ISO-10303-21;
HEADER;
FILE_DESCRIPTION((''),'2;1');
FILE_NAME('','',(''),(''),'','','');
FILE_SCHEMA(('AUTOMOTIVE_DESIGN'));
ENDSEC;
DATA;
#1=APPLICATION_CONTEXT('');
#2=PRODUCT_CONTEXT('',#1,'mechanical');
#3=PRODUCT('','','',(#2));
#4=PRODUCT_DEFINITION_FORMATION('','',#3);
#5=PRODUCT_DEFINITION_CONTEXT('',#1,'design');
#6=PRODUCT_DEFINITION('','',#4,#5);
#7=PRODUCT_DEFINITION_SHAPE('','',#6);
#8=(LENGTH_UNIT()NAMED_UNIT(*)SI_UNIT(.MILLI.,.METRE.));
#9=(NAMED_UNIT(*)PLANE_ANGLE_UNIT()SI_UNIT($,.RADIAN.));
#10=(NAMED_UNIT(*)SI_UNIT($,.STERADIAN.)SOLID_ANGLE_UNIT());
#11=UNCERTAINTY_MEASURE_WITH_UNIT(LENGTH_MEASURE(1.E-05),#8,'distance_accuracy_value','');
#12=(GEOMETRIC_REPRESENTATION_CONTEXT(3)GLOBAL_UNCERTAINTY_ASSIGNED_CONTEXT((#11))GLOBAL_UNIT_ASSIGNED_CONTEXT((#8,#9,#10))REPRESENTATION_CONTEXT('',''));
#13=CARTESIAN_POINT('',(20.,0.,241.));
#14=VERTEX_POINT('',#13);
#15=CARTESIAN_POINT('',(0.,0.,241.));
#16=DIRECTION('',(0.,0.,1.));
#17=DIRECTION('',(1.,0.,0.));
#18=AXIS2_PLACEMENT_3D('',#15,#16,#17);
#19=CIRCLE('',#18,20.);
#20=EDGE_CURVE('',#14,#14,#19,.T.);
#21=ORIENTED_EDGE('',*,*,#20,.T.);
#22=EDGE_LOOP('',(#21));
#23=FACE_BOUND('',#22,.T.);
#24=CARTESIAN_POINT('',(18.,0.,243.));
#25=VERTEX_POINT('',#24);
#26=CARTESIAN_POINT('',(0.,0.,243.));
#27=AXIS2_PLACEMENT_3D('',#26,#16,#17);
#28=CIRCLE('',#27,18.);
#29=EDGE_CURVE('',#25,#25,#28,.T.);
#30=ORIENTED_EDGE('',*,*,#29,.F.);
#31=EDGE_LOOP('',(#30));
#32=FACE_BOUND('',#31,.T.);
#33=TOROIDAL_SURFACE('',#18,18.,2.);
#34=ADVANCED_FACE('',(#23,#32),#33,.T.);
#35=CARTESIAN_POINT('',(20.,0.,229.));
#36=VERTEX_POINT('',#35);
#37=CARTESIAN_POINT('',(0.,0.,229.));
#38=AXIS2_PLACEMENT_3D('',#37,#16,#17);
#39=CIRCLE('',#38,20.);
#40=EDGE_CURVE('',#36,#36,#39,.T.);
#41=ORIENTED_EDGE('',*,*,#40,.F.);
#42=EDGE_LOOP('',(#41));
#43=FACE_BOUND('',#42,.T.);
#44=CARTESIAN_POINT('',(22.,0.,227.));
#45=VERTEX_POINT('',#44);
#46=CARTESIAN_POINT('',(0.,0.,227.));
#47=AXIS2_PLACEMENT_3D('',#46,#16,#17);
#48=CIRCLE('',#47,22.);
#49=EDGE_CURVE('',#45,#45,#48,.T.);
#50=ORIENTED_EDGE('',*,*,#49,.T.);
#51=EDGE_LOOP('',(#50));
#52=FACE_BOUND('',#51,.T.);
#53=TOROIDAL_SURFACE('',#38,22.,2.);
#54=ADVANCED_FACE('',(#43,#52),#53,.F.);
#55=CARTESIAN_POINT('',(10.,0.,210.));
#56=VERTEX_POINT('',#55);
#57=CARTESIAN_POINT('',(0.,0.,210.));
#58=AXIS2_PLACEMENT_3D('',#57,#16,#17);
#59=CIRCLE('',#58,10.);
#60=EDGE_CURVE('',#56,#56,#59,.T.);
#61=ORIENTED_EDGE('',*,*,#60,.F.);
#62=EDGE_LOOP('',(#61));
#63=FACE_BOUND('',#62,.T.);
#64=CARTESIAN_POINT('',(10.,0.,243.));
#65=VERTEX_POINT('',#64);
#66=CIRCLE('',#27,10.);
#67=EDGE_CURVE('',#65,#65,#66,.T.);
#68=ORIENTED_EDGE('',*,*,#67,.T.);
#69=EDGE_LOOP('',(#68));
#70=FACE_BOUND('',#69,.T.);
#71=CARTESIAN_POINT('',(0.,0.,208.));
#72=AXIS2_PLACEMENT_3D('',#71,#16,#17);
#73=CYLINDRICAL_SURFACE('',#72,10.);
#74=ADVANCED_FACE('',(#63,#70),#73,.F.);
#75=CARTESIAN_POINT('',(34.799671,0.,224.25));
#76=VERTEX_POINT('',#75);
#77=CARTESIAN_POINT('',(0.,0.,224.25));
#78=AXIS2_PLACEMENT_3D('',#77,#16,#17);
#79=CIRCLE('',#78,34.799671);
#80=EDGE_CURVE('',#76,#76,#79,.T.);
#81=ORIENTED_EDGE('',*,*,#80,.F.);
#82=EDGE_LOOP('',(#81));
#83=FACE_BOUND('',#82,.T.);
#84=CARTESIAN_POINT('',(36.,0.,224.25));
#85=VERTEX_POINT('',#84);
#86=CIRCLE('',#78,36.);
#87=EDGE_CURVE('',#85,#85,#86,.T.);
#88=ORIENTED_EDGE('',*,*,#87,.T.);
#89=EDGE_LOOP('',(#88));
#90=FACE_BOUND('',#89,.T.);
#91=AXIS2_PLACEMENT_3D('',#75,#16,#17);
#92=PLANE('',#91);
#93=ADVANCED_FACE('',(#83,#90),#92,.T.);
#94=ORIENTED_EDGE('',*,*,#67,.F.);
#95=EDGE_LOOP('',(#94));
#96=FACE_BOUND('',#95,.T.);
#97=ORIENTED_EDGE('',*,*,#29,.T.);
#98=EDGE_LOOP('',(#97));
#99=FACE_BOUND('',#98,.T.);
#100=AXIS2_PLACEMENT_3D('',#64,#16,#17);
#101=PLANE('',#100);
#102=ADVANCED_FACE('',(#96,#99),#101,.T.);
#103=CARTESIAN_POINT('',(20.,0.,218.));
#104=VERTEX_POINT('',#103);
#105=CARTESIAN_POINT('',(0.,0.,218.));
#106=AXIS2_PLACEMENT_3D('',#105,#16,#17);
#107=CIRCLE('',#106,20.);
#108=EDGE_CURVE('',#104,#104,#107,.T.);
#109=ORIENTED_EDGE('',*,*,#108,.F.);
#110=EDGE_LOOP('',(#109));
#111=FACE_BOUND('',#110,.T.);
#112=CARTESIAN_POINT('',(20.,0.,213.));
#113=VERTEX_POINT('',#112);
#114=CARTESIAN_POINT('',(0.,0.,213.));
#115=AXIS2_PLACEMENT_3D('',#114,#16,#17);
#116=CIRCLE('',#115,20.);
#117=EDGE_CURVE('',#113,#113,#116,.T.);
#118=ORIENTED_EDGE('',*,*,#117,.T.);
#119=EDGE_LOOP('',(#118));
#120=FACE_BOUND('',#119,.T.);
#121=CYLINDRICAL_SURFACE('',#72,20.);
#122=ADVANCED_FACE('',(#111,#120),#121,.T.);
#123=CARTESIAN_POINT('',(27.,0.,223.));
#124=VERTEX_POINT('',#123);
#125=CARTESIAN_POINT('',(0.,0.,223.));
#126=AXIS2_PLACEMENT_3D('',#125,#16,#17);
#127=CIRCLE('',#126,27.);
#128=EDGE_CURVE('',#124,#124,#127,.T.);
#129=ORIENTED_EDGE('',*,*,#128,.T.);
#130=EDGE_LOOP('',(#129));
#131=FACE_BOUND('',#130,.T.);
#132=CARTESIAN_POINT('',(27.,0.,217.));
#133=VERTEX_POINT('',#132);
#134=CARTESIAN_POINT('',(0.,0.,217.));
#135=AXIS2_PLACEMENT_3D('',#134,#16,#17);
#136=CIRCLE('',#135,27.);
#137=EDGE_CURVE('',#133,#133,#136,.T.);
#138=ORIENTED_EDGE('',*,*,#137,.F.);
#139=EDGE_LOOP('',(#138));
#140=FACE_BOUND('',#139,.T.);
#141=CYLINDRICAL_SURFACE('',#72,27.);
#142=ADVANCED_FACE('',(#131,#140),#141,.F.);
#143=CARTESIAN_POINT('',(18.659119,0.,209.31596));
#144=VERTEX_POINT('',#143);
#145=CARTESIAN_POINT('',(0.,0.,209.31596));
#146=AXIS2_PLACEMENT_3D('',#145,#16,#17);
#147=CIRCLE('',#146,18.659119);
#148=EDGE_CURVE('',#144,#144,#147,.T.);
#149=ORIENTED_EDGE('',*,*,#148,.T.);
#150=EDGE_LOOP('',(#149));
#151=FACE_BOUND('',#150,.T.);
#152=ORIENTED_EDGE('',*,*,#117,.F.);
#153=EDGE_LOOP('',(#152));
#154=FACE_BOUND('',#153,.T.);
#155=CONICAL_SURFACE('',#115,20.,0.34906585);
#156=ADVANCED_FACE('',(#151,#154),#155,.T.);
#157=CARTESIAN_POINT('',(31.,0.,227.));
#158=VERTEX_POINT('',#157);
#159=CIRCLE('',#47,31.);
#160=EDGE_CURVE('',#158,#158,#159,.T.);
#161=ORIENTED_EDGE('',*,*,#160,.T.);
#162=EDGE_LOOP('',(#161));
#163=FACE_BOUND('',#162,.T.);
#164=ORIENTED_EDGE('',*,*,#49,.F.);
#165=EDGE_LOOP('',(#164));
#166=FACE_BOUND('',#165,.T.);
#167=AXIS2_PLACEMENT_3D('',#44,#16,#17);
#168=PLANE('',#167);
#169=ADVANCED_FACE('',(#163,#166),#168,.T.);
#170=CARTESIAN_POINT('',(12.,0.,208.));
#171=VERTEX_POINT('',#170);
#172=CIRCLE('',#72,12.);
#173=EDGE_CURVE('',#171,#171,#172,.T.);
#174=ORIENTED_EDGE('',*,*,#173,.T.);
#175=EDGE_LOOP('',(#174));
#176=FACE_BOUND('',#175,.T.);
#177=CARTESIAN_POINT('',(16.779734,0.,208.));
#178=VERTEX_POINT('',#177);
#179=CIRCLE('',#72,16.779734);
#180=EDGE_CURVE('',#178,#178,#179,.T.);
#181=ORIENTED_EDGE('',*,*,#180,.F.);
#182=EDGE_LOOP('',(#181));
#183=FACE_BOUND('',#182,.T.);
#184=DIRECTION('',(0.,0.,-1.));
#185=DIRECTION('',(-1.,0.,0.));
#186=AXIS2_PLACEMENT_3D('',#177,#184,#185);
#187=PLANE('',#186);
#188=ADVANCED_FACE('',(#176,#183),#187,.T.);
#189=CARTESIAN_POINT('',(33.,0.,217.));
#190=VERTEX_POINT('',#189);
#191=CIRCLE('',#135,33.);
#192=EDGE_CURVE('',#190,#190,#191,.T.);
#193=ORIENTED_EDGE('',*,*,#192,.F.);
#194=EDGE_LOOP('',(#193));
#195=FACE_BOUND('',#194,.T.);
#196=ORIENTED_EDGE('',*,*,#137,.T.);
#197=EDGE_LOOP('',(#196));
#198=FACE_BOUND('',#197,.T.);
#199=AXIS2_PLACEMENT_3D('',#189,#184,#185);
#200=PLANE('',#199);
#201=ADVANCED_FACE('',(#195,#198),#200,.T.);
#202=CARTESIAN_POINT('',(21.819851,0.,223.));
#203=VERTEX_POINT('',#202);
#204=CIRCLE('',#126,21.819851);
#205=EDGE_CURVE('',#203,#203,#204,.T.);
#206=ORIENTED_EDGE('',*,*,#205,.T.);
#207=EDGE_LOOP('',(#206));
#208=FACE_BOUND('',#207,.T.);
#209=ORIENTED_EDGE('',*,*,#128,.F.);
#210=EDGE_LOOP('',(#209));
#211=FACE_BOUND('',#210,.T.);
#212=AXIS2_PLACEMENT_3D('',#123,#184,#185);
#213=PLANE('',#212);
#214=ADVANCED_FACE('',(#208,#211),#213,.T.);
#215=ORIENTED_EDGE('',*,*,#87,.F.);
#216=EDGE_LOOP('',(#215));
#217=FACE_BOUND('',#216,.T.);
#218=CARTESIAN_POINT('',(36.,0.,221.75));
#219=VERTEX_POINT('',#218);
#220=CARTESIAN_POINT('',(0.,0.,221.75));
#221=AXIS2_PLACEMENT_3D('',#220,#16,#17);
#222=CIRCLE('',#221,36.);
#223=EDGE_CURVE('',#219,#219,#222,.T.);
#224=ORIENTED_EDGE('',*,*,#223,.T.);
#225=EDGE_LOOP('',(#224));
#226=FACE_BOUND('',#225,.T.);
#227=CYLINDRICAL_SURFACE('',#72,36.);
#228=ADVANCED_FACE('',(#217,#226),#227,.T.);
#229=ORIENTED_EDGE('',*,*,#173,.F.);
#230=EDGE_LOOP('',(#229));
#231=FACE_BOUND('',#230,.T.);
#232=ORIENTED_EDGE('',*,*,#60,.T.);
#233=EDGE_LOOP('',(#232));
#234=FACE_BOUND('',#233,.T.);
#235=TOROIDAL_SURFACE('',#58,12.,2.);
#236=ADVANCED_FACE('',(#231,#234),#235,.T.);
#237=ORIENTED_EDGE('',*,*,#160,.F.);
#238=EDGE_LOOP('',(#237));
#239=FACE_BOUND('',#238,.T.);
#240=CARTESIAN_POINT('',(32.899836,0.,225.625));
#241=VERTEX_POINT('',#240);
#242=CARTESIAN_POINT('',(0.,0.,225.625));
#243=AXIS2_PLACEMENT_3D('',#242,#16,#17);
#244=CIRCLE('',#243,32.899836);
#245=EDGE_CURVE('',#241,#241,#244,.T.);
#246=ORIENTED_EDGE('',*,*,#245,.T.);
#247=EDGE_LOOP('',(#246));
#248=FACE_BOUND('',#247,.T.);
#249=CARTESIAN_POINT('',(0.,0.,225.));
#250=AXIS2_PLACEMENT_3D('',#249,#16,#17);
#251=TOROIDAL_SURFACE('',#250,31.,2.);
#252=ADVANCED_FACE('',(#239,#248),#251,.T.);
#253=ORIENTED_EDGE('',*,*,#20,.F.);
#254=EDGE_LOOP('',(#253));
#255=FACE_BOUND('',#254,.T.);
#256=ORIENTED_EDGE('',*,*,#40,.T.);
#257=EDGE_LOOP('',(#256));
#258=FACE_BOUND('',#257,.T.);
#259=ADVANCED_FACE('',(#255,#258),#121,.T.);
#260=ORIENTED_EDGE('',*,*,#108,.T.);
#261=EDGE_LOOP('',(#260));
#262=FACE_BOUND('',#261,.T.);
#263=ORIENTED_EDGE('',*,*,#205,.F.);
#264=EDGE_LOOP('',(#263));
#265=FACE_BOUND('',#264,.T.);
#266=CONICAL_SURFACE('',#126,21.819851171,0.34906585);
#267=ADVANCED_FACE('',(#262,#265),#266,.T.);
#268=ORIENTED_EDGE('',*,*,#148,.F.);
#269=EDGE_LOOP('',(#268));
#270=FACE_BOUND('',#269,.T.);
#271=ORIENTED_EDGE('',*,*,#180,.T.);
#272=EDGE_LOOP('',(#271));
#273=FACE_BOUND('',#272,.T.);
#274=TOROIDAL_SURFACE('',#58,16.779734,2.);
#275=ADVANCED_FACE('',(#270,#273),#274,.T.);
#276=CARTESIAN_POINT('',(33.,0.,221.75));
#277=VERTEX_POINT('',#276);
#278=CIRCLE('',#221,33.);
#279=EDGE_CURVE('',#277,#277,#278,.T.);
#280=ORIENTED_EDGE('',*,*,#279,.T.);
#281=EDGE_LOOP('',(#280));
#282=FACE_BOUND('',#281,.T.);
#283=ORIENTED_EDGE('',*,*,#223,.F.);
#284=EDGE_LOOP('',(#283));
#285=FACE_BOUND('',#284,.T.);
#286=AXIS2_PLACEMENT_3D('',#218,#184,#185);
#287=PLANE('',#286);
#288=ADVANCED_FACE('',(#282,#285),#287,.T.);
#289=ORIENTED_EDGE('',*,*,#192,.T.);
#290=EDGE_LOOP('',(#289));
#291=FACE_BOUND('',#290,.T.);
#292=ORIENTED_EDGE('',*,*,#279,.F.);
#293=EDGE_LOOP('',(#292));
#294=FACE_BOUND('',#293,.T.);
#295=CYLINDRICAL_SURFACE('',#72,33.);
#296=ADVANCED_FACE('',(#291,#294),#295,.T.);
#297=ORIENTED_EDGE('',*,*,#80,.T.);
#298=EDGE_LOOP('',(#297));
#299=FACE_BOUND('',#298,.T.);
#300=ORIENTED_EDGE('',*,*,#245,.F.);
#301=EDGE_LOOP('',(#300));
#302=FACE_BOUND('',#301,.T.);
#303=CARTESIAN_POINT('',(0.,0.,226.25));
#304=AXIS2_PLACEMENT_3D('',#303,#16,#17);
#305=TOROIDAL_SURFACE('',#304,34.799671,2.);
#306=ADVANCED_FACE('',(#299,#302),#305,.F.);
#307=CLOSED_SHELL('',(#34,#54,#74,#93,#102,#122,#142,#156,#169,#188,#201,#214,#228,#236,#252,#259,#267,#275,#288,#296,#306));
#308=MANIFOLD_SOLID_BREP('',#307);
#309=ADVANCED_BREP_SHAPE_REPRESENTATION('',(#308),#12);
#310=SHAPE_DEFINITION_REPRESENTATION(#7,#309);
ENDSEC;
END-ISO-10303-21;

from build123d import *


with BuildPart() as part:
    # Sketch1 → Revolve1 (revolve)
    with BuildSketch(Plane(origin=(0, 0, 0), x_dir=(1, 0, 0), z_dir=(0, 1, 0))):
        with BuildLine():
            Line((22, -227), (31, -227))
            ThreePointArc((31, -227), (32.17260394, -226.620185175), (32.899835519, -225.625))
            ThreePointArc((32.899835519, -225.625), (33.627067098, -224.629814825), (34.799671038, -224.25))
            Line((34.799671038, -224.25), (36, -224.25))
            Line((36, -224.25), (36, -221.75))
            Line((36, -221.75), (33, -221.75))
            Line((33, -221.75), (33, -217))
            Line((33, -217), (27, -217))
            Line((27, -217), (27, -223))
            Line((27, -223), (21.819851171, -223))
            Line((21.819851171, -223), (20, -218))
            Line((20, -218), (20, -213))
            Line((20, -213), (18.659118994, -209.315959713))
            ThreePointArc((18.659118994, -209.315959713), (17.926886625, -208.361695911), (16.779733752, -208))
            Line((16.779733752, -208), (12, -208))
            ThreePointArc((12, -208), (10.585786438, -208.585786438), (10, -210))
            Line((10, -210), (10, -243))
            Line((10, -243), (18, -243))
            ThreePointArc((18, -243), (19.414213562, -242.414213562), (20, -241))
            Line((20, -241), (20, -229))
            ThreePointArc((20, -229), (20.585786438, -227.585786438), (22, -227))
        make_face()
    revolve(axis=Axis((0, 0, 208), (0, 0, 1)))


solid = part.part
